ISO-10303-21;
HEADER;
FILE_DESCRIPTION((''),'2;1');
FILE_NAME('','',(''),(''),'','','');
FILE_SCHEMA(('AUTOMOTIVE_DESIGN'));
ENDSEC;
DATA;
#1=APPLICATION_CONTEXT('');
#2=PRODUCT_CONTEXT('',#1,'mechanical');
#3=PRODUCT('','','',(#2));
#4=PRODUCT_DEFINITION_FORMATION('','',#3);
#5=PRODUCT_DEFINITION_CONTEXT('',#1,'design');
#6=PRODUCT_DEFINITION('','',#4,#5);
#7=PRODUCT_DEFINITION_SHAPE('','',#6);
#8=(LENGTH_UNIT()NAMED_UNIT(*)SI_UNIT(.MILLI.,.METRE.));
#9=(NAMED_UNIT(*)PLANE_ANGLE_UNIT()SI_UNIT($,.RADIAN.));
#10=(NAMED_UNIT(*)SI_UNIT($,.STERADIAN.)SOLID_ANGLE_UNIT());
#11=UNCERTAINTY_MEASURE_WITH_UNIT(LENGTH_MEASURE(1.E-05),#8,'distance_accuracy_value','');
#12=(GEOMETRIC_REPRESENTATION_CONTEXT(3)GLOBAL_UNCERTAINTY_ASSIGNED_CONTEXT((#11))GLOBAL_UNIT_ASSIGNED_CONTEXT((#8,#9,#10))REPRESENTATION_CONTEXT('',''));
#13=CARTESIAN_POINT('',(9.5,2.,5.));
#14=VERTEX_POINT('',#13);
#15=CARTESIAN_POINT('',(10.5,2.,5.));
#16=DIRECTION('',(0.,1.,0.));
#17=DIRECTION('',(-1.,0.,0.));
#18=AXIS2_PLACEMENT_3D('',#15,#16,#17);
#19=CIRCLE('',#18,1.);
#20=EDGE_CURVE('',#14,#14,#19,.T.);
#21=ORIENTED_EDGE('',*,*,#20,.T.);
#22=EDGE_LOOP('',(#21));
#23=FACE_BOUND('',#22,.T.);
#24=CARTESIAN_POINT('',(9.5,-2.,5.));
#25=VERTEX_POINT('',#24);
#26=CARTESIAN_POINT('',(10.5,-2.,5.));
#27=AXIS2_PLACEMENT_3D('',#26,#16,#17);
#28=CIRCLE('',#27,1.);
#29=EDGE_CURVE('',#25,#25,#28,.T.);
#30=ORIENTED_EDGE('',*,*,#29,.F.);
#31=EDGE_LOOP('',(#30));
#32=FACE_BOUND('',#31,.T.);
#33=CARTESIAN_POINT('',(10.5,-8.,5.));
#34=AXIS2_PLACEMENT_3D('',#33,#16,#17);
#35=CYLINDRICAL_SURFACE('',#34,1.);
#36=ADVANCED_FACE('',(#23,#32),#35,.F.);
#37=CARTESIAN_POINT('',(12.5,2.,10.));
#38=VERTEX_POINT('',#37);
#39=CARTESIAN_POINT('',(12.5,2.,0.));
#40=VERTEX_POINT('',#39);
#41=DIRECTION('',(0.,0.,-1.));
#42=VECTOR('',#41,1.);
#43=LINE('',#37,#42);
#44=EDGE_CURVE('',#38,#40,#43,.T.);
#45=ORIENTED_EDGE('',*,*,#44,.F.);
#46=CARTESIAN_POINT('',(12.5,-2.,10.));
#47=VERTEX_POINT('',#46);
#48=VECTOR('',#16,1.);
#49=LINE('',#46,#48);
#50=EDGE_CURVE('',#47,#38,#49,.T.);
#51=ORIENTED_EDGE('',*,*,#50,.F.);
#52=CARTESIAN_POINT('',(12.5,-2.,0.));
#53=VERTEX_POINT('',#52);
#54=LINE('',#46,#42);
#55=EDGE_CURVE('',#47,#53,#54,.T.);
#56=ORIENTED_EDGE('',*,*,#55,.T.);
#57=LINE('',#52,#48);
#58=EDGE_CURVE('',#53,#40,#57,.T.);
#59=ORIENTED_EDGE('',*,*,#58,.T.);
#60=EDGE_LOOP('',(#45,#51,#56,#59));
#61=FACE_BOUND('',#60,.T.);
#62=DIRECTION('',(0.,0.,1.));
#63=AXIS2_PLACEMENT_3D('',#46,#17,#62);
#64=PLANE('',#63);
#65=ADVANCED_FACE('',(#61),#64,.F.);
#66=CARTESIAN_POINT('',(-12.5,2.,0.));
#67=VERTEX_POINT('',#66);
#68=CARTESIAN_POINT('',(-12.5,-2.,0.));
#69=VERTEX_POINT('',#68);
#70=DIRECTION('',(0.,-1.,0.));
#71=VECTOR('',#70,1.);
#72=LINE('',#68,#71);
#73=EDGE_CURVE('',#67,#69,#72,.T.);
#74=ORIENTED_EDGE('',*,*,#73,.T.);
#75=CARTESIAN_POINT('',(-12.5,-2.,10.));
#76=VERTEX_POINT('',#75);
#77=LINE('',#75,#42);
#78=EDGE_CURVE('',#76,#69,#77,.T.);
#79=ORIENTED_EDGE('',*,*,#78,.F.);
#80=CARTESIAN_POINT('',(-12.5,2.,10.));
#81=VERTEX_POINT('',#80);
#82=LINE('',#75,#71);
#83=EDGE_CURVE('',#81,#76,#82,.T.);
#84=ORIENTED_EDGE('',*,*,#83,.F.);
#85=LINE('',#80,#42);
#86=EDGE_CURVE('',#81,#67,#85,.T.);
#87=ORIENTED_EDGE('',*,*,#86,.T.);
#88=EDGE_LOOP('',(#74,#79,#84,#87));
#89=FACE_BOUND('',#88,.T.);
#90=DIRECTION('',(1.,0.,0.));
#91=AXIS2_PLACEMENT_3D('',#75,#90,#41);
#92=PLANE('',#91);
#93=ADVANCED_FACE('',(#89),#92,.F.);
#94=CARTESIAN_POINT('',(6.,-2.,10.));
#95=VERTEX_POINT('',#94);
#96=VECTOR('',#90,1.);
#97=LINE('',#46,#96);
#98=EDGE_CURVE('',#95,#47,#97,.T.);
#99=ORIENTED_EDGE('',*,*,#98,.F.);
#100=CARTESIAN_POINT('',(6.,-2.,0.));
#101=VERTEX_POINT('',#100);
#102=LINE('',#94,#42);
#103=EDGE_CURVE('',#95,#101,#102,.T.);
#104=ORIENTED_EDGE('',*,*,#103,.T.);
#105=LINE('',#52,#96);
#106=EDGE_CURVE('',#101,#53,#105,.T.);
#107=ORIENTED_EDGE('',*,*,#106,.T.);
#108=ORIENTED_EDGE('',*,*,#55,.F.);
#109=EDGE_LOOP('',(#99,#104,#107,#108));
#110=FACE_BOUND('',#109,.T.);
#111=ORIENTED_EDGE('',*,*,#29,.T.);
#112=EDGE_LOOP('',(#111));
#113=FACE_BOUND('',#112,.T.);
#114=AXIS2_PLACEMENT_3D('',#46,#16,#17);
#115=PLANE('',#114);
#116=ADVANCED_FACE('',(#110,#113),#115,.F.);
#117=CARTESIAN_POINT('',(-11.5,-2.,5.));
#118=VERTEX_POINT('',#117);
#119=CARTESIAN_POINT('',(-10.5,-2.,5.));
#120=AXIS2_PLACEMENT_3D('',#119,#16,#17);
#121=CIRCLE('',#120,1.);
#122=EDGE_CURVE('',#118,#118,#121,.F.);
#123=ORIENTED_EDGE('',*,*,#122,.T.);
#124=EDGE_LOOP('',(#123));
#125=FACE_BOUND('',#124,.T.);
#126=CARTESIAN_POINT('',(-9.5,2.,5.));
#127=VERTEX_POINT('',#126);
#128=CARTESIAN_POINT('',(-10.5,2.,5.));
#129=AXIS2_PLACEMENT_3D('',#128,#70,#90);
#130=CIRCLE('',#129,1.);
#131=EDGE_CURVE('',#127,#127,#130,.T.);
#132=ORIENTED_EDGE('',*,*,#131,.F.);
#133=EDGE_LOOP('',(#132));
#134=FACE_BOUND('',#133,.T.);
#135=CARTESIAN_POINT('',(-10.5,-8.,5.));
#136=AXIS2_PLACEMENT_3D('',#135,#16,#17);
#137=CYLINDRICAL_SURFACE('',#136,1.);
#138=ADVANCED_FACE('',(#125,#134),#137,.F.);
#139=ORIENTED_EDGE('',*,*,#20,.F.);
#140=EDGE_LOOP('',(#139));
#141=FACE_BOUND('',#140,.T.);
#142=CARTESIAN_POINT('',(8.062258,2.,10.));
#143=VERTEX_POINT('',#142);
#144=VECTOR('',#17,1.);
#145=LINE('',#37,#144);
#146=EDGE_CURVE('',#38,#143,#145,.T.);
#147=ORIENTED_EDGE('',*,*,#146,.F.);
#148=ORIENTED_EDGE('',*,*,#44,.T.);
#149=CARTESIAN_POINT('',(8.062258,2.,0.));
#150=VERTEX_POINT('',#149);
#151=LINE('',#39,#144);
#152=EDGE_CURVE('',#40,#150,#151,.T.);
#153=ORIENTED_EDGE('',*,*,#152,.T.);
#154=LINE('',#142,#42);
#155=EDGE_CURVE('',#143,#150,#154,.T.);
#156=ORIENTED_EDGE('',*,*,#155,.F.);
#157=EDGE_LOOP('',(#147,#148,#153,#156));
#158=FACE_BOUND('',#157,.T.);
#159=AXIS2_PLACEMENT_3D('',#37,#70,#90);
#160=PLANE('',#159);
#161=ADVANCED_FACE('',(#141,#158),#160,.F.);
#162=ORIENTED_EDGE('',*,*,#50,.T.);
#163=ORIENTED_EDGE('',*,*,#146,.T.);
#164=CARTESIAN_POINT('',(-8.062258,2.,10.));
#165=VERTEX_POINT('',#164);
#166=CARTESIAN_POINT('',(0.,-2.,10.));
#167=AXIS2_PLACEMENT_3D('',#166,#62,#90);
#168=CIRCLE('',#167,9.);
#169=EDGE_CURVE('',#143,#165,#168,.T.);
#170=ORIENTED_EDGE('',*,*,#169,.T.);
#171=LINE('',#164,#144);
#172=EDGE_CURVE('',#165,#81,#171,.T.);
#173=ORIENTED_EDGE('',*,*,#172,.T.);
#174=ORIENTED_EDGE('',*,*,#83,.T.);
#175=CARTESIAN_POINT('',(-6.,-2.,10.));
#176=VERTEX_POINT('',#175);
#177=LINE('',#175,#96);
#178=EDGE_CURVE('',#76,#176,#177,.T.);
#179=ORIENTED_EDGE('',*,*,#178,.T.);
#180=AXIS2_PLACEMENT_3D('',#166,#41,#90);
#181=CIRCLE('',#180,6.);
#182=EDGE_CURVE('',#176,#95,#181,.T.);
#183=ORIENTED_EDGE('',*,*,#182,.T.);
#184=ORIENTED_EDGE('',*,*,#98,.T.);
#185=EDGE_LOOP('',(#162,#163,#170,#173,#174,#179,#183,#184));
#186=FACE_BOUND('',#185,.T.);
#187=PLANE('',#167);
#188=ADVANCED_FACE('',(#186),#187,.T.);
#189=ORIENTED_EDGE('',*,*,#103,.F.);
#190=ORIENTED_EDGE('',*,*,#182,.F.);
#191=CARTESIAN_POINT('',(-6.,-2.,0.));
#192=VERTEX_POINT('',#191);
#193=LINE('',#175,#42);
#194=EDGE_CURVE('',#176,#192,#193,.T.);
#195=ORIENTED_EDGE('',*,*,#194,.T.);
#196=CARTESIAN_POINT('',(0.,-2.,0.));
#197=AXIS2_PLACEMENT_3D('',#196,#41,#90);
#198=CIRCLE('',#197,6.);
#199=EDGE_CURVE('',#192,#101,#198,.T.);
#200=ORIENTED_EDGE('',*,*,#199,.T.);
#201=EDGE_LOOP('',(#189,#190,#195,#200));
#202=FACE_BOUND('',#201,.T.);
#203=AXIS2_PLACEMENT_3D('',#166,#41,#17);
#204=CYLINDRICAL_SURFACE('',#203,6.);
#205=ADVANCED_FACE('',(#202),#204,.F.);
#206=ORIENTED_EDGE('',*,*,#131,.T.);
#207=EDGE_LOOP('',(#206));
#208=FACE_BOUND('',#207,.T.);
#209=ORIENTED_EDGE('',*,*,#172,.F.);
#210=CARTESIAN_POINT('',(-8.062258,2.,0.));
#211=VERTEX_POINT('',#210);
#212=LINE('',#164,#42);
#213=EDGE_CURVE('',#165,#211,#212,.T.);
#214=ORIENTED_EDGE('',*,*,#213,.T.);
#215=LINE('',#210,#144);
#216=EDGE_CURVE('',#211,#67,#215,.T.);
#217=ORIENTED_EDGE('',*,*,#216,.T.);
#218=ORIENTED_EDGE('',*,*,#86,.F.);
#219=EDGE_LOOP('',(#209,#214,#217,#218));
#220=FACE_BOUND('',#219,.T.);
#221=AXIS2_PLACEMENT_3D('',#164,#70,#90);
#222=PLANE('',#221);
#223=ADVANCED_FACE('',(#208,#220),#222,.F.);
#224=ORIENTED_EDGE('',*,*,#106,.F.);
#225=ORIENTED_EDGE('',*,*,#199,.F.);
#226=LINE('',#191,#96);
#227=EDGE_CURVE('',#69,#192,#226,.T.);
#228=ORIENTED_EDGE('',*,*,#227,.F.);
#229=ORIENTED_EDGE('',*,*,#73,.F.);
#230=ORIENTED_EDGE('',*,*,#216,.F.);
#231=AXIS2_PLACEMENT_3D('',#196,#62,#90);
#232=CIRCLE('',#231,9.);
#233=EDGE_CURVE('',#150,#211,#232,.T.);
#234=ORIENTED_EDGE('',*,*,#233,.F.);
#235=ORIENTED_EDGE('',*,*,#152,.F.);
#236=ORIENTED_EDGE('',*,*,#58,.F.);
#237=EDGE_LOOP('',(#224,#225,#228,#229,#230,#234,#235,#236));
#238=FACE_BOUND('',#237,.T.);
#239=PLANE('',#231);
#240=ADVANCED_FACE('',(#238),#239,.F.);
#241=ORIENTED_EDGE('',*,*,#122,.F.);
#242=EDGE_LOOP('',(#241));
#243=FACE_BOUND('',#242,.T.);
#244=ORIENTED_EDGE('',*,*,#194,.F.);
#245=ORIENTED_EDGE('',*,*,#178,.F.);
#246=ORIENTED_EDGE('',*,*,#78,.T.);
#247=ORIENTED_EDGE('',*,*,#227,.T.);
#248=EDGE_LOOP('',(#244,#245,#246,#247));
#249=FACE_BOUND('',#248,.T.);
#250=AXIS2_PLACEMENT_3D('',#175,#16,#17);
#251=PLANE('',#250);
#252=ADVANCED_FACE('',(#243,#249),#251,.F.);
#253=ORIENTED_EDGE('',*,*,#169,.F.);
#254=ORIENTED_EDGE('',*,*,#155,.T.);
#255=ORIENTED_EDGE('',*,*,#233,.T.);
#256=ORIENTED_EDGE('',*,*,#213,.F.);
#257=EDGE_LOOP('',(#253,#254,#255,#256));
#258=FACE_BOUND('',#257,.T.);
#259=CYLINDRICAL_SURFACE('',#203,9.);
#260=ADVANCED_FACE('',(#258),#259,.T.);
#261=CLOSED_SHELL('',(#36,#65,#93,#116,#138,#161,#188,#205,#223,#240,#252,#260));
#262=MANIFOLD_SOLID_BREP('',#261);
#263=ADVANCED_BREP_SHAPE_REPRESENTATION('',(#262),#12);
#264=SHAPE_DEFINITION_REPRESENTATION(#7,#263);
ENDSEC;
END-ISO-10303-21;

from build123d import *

# Parameters (mm, degrees)
SALIENTE_EXTRUIR1_DEPTH = 10
CROQUIS2_R              = 1
CORTAR_EXTRUIR1_DEPTH   = 10


with BuildPart() as part:
    # Croquis1 → Saliente-Extruir1 (new body)
    with BuildSketch(Plane.XY):
        with BuildLine():
            Line((12.5, -2), (6, -2))
            ThreePointArc((6, -2), (0, 4), (-6, -2))
            Line((-6, -2), (-12.5, -2))
            Line((-12.5, -2), (-12.5, 2))
            Line((-12.5, 2), (-8.062257748, 2))
            ThreePointArc((-8.062257748, 2), (0, 7), (8.062257748, 2))
            Line((8.062257748, 2), (12.5, 2))
            Line((12.5, 2), (12.5, -2))
        make_face()
    extrude(amount=SALIENTE_EXTRUIR1_DEPTH)

    # Croquis2 → Cortar-Extruir1 (cut)
    with BuildSketch(Plane(origin=(0, 2, 0), x_dir=(1, 0, 0), z_dir=(0, 1, 0))):
        with Locations(Location((10.5, -5, 0), (0, 0, 180))):
            Circle(CROQUIS2_R)
    cortar_extruir1 = extrude(amount=-CORTAR_EXTRUIR1_DEPTH, mode=Mode.SUBTRACT)

    # Simetría1: Cortar-Extruir1 across plane
    add(cortar_extruir1.mirror(Plane(origin=(0, 0, 0), x_dir=(0, 0, 1), z_dir=(1, 0, 0))), mode=Mode.SUBTRACT)


solid = part.part
